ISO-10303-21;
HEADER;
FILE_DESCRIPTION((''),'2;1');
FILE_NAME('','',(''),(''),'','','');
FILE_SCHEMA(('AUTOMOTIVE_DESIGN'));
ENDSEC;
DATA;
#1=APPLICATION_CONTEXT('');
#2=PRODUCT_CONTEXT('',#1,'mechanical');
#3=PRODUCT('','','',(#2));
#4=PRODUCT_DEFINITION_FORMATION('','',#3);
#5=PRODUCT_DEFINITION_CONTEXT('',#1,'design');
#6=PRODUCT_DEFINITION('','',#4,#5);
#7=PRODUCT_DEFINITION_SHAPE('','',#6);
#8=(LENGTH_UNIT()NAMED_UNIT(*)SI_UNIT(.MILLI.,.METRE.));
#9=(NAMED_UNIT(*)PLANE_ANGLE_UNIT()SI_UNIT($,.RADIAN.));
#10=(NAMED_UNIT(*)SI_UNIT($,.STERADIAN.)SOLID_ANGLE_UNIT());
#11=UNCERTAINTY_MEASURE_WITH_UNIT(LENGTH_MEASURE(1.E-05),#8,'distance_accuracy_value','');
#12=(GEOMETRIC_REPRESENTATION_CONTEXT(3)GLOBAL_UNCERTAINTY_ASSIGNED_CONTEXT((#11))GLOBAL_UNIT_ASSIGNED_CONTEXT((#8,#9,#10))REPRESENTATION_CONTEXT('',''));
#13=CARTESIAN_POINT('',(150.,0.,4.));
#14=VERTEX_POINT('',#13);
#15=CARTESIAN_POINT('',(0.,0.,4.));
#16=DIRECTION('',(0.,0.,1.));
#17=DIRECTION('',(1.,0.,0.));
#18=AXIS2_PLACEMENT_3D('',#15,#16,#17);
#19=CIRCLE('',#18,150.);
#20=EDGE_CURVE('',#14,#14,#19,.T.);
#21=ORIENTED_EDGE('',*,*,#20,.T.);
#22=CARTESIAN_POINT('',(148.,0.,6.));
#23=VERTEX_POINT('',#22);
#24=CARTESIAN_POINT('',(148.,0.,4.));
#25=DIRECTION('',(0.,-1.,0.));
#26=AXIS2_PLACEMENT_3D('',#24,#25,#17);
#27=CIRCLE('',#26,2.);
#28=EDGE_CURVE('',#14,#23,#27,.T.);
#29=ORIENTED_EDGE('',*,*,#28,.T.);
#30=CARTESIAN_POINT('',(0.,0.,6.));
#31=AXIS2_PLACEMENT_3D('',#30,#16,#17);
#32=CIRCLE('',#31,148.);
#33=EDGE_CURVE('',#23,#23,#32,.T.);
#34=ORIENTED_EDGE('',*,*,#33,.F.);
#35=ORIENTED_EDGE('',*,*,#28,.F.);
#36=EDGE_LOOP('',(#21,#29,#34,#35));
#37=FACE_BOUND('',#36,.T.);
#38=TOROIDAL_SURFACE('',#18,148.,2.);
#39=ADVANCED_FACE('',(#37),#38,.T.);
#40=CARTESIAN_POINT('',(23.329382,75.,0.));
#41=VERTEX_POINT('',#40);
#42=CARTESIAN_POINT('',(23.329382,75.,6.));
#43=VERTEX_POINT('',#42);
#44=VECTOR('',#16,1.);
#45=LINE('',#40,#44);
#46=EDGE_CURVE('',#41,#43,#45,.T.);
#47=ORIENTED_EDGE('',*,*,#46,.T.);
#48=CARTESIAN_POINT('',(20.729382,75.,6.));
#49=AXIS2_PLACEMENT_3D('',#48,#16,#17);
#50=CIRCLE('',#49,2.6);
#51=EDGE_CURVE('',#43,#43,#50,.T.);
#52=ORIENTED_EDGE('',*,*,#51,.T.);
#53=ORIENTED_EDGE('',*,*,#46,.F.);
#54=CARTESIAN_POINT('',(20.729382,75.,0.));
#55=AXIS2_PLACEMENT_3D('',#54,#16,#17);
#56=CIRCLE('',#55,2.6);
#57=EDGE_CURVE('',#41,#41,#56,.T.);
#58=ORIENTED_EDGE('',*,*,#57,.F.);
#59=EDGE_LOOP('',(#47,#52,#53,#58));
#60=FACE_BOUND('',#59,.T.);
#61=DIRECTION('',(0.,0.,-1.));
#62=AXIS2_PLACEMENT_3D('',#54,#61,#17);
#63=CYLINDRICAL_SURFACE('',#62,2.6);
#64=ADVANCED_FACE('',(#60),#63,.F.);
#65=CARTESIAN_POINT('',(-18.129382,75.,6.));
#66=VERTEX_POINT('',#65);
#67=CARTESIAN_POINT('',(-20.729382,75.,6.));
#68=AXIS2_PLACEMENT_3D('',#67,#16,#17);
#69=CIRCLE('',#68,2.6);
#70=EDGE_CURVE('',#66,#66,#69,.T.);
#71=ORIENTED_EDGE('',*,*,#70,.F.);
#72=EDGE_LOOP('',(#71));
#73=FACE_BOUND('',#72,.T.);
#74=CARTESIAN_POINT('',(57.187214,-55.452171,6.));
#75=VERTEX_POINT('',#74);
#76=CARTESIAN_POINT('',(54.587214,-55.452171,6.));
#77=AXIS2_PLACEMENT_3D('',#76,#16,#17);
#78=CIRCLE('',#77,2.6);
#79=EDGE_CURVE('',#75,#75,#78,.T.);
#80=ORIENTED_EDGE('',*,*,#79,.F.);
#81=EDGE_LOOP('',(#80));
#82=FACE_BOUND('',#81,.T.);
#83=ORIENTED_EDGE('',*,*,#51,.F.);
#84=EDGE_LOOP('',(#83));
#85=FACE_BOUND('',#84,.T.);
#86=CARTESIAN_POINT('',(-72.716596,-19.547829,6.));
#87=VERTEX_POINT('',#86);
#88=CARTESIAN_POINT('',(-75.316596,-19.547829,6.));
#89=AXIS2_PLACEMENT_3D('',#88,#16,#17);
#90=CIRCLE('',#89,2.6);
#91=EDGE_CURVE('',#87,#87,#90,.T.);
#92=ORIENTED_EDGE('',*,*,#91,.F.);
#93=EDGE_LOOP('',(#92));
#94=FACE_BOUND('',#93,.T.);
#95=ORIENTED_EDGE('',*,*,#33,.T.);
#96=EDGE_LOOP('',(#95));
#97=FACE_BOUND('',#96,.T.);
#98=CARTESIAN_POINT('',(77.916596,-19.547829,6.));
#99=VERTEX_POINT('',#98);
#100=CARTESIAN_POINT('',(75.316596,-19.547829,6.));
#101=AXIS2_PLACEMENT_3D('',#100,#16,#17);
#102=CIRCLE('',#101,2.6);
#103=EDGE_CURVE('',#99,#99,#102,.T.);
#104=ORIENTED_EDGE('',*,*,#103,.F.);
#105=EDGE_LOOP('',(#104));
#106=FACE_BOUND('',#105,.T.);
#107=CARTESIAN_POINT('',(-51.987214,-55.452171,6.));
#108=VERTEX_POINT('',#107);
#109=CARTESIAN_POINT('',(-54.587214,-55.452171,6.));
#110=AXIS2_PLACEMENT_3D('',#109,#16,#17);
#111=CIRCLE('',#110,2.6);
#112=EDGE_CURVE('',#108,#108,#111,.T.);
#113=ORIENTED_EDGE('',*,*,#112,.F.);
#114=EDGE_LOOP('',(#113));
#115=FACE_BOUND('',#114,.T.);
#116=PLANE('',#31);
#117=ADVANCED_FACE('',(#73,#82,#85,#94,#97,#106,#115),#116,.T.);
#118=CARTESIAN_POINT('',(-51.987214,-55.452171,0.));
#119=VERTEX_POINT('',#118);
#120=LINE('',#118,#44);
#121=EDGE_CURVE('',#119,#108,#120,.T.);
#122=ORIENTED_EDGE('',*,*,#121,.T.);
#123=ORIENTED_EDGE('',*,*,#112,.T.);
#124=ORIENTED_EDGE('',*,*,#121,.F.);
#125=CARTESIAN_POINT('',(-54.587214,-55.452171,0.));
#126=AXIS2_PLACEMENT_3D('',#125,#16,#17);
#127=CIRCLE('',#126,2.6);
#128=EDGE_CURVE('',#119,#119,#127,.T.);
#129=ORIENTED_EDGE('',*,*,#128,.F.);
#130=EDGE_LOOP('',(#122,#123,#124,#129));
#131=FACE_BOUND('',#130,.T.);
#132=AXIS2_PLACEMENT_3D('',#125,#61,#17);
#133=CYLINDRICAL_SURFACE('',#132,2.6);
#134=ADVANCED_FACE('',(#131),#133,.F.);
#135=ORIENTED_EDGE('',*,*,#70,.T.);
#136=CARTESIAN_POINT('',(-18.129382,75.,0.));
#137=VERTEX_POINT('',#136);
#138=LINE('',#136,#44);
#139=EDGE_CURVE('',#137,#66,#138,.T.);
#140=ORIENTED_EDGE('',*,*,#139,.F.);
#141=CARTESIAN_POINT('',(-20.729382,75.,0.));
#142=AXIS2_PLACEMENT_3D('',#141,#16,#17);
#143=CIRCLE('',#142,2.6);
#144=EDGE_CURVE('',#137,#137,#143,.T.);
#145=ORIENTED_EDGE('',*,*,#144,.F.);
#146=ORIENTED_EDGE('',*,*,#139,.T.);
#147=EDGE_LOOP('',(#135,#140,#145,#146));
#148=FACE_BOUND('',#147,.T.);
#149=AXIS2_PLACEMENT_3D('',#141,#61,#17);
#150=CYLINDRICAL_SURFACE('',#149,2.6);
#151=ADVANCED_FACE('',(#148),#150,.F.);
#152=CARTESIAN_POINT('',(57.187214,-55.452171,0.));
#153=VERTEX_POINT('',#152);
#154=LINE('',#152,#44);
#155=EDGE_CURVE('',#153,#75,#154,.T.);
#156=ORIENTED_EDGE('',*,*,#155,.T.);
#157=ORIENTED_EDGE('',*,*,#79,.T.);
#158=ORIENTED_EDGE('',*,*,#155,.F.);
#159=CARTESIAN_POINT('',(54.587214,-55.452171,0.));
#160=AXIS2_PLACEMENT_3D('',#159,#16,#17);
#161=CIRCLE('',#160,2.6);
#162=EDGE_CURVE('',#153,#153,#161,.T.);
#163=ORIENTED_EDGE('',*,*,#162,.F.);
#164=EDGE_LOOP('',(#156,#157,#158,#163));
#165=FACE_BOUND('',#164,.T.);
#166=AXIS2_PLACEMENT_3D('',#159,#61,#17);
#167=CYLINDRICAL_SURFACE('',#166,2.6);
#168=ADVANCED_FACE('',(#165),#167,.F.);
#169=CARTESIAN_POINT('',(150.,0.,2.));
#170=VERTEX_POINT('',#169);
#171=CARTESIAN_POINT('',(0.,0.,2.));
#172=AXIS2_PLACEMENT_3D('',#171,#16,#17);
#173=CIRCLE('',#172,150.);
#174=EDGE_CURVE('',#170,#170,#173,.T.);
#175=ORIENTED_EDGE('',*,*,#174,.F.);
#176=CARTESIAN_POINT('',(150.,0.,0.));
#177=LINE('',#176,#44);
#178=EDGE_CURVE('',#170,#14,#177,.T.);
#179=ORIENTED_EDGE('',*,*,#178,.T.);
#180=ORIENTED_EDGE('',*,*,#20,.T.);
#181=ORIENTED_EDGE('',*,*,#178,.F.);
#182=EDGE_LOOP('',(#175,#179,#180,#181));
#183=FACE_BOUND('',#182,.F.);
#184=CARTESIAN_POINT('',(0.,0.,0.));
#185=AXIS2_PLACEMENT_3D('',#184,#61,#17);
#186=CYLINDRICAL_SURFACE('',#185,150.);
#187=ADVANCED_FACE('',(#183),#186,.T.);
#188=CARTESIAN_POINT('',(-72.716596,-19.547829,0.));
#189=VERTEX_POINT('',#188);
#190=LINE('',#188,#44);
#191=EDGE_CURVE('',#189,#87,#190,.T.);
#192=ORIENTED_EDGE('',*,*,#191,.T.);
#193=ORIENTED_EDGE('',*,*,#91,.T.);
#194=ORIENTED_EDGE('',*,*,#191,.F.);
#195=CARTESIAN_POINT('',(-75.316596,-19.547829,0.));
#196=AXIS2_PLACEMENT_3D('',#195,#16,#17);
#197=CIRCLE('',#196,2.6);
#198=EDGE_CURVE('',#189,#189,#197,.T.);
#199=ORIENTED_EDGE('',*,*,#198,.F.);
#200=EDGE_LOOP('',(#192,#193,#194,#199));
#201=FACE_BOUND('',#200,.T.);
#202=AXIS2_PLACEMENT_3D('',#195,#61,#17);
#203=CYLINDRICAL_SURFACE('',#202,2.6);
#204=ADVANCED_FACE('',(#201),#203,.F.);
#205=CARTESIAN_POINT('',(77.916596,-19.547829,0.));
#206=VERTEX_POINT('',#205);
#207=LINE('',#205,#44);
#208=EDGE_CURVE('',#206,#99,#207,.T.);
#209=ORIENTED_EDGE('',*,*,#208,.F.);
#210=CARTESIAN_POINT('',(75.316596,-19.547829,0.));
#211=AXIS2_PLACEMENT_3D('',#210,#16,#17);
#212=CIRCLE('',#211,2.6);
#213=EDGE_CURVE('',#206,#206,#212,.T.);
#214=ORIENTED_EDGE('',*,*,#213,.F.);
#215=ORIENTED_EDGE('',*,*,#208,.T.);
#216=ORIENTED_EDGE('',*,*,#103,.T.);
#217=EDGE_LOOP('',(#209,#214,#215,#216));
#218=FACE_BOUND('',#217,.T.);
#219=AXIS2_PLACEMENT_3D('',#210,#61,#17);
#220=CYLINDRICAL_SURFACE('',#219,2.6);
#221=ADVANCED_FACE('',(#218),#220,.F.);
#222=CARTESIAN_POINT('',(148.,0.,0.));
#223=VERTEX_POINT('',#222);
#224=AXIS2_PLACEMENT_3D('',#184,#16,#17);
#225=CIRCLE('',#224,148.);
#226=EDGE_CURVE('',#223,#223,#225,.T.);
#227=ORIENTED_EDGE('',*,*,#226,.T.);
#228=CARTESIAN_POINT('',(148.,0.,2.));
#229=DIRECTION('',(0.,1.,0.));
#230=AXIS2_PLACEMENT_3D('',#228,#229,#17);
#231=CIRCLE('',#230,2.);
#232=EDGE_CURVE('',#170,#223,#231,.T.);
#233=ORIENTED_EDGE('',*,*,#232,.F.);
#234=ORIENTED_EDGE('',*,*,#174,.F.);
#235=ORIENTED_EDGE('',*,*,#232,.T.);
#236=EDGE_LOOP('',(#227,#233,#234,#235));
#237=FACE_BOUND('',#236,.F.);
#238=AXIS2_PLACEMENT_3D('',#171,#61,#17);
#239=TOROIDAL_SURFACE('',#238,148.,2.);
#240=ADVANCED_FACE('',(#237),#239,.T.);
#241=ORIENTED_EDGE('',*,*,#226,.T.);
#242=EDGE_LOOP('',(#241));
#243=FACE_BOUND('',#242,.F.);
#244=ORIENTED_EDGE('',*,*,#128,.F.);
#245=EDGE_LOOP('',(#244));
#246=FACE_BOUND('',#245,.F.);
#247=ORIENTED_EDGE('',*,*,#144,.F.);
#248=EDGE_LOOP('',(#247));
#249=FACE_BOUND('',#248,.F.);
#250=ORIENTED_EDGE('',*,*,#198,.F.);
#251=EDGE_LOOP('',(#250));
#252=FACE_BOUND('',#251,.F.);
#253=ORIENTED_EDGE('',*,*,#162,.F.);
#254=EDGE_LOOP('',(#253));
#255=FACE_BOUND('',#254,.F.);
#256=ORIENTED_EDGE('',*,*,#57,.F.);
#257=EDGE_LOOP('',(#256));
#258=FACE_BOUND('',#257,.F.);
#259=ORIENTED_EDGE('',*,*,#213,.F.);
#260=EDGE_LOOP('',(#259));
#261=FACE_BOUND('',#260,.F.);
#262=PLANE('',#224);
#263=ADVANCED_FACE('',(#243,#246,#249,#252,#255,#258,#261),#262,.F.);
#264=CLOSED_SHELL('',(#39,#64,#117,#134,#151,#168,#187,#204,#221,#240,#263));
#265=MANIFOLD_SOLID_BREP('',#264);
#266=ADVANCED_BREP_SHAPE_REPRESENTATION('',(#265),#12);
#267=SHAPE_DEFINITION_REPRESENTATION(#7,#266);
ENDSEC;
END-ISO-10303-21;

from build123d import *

# Parameters (mm, degrees)
F1_R     = 150
F1_R_2   = 2.6
F2_DEPTH = 6
F3_R     = 2


with BuildPart() as f2:
    # F1 (on Top) → F2 (new body)
    with BuildSketch(Plane.XY):
        Circle(F1_R)
        with Locations((-75.3165963029, -19.5478285501)):
            Circle(F1_R_2, mode=Mode.SUBTRACT)
        with Locations((-54.5872142647, -55.4521714499)):
            Circle(F1_R_2, mode=Mode.SUBTRACT)
        with Locations((54.5872142647, -55.4521714499)):
            Circle(F1_R_2, mode=Mode.SUBTRACT)
        with Locations((75.3165963029, -19.5478285501)):
            Circle(F1_R_2, mode=Mode.SUBTRACT)
        with Locations((-20.7293820382, 75)):
            Circle(F1_R_2, mode=Mode.SUBTRACT)
        with Locations((20.7293820382, 75)):
            Circle(F1_R_2, mode=Mode.SUBTRACT)
    extrude(amount=F2_DEPTH)

    # F3
    f3_edges = [f2.edges().sort_by_distance(p)[0] for p in [
        (-150, 0, 6),
        (-150, 0, 0),
    ]]
    fillet(f3_edges, radius=F3_R)


solid = f2.part
